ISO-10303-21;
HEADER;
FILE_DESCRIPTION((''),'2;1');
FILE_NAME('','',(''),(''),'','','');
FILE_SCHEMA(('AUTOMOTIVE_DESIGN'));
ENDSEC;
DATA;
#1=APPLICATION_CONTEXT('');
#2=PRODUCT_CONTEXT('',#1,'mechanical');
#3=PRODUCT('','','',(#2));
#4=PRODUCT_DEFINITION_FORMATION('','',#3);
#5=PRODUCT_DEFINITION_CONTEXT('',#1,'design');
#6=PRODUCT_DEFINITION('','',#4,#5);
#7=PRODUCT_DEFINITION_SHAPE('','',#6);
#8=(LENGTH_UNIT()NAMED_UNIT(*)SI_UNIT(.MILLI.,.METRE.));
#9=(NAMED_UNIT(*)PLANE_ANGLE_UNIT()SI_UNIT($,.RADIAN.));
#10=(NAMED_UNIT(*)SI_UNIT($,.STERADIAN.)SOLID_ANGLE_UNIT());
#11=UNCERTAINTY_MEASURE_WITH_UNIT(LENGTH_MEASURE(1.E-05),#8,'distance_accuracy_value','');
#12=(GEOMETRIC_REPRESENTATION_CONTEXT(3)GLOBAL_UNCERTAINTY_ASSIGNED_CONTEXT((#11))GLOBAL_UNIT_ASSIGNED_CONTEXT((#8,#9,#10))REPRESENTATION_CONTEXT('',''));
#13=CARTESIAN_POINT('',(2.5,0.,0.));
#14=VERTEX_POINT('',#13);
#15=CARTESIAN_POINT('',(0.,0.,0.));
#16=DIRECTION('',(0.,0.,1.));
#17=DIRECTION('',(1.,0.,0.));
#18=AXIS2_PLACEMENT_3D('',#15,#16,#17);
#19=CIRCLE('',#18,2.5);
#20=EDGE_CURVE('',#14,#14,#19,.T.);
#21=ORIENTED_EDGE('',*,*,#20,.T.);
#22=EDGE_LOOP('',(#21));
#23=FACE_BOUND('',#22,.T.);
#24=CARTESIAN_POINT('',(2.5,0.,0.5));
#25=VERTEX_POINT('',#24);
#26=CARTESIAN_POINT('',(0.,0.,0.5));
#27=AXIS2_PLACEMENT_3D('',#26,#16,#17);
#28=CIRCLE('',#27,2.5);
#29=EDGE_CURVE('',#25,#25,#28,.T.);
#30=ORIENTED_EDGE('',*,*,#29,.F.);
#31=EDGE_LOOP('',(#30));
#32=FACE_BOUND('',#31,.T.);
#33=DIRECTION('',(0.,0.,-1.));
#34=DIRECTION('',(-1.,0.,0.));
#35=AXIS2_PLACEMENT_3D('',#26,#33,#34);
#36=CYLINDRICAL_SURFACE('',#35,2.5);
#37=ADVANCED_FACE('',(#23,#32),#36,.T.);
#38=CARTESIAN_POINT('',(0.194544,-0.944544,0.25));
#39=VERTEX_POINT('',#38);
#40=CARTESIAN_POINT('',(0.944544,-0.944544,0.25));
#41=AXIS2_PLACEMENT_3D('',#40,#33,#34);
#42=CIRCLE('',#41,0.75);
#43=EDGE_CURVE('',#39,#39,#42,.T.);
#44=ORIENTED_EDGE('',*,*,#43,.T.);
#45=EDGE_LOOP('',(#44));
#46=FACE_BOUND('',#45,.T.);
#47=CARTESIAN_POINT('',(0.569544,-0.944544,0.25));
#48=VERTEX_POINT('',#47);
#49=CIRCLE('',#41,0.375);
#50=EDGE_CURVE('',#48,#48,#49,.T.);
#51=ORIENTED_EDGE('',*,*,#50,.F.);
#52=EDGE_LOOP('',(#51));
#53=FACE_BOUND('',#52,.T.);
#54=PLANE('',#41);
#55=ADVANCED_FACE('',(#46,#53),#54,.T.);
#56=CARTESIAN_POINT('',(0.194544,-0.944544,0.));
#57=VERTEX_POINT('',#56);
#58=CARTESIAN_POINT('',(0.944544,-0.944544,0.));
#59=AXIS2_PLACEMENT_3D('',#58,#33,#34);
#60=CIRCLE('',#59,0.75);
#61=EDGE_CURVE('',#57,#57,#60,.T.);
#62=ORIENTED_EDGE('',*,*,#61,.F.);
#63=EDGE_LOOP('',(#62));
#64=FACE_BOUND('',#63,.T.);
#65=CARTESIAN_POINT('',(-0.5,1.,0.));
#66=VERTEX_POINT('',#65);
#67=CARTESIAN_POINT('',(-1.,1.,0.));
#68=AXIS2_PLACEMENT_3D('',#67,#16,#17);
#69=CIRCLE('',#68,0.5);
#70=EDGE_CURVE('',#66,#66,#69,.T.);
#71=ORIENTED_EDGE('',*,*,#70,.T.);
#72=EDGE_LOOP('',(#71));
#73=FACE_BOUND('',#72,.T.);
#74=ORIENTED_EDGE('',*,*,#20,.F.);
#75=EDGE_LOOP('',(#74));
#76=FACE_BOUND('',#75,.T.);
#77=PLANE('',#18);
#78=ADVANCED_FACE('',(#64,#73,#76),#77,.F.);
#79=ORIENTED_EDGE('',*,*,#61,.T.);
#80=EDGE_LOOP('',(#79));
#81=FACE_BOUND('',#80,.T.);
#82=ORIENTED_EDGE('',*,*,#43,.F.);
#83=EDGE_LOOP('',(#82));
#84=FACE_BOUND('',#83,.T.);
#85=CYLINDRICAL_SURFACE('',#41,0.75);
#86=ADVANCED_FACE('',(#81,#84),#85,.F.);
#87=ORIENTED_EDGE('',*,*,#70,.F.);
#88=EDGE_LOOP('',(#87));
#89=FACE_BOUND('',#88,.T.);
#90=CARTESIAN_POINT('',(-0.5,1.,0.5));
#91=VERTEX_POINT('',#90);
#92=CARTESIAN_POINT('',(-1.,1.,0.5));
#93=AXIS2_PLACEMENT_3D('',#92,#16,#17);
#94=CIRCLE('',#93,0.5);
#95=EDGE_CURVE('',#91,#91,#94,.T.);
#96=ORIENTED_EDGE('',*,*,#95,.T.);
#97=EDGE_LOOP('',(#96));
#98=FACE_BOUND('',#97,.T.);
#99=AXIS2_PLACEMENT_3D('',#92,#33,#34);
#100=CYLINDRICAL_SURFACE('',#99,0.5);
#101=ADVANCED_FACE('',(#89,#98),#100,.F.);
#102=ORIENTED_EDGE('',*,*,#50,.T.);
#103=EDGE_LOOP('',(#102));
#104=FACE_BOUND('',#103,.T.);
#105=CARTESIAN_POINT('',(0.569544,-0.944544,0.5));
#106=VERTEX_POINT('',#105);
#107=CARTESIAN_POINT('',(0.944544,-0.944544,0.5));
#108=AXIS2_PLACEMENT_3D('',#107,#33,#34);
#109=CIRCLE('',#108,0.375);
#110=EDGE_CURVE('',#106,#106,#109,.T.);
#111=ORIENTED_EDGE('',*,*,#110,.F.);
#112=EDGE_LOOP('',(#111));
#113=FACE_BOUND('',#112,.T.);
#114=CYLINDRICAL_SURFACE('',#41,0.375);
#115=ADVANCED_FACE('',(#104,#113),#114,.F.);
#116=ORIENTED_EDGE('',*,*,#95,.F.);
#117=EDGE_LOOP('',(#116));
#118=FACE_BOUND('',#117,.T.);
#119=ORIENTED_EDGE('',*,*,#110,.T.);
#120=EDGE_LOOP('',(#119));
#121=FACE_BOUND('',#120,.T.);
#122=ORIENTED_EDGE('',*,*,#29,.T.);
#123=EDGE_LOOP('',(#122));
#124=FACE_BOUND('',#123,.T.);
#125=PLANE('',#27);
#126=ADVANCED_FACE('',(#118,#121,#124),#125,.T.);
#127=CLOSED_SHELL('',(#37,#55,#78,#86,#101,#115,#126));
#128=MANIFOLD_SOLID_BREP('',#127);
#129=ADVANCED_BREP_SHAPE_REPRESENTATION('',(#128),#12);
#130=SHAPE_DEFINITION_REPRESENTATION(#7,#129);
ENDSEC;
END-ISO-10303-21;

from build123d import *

# Parameters (mm, degrees)
CROQUIS1_R                 = 2.5
CROQUIS1_R_2               = 0.5
SALIENTE_EXTRUIR1_DEPTH    = 0.5
CROQUIS2_R                 = 0.75
CORTAR_EXTRUIR1_DEPTH      = 0.25
TALADRO_ROSCADO_M1X0_251_D = 0.75


with BuildPart() as part:
    # Croquis1 → Saliente-Extruir1 (new body)
    with BuildSketch(Plane.XY):
        Circle(CROQUIS1_R)
        with Locations((-1, 1)):
            Circle(CROQUIS1_R_2, mode=Mode.SUBTRACT)
    extrude(amount=SALIENTE_EXTRUIR1_DEPTH)

    # Croquis2 → Cortar-Extruir1 (cut)
    with BuildSketch(Plane(origin=(0, 0, 0), x_dir=(-1, 0, 0), z_dir=(0, 0, -1))):
        with Locations((-0.944543648, -0.944543648)):
            Circle(CROQUIS2_R)
    extrude(amount=-CORTAR_EXTRUIR1_DEPTH, mode=Mode.SUBTRACT)

    # Taladro roscado M1x0.251 (through all)
    with Locations(Plane(origin=(0, 0, 0.25), x_dir=(-1, 0, 0), z_dir=(0, 0, -1))):
        with Locations((-0.944543648, -0.944543648)):
            Hole(TALADRO_ROSCADO_M1X0_251_D / 2)


solid = part.part
